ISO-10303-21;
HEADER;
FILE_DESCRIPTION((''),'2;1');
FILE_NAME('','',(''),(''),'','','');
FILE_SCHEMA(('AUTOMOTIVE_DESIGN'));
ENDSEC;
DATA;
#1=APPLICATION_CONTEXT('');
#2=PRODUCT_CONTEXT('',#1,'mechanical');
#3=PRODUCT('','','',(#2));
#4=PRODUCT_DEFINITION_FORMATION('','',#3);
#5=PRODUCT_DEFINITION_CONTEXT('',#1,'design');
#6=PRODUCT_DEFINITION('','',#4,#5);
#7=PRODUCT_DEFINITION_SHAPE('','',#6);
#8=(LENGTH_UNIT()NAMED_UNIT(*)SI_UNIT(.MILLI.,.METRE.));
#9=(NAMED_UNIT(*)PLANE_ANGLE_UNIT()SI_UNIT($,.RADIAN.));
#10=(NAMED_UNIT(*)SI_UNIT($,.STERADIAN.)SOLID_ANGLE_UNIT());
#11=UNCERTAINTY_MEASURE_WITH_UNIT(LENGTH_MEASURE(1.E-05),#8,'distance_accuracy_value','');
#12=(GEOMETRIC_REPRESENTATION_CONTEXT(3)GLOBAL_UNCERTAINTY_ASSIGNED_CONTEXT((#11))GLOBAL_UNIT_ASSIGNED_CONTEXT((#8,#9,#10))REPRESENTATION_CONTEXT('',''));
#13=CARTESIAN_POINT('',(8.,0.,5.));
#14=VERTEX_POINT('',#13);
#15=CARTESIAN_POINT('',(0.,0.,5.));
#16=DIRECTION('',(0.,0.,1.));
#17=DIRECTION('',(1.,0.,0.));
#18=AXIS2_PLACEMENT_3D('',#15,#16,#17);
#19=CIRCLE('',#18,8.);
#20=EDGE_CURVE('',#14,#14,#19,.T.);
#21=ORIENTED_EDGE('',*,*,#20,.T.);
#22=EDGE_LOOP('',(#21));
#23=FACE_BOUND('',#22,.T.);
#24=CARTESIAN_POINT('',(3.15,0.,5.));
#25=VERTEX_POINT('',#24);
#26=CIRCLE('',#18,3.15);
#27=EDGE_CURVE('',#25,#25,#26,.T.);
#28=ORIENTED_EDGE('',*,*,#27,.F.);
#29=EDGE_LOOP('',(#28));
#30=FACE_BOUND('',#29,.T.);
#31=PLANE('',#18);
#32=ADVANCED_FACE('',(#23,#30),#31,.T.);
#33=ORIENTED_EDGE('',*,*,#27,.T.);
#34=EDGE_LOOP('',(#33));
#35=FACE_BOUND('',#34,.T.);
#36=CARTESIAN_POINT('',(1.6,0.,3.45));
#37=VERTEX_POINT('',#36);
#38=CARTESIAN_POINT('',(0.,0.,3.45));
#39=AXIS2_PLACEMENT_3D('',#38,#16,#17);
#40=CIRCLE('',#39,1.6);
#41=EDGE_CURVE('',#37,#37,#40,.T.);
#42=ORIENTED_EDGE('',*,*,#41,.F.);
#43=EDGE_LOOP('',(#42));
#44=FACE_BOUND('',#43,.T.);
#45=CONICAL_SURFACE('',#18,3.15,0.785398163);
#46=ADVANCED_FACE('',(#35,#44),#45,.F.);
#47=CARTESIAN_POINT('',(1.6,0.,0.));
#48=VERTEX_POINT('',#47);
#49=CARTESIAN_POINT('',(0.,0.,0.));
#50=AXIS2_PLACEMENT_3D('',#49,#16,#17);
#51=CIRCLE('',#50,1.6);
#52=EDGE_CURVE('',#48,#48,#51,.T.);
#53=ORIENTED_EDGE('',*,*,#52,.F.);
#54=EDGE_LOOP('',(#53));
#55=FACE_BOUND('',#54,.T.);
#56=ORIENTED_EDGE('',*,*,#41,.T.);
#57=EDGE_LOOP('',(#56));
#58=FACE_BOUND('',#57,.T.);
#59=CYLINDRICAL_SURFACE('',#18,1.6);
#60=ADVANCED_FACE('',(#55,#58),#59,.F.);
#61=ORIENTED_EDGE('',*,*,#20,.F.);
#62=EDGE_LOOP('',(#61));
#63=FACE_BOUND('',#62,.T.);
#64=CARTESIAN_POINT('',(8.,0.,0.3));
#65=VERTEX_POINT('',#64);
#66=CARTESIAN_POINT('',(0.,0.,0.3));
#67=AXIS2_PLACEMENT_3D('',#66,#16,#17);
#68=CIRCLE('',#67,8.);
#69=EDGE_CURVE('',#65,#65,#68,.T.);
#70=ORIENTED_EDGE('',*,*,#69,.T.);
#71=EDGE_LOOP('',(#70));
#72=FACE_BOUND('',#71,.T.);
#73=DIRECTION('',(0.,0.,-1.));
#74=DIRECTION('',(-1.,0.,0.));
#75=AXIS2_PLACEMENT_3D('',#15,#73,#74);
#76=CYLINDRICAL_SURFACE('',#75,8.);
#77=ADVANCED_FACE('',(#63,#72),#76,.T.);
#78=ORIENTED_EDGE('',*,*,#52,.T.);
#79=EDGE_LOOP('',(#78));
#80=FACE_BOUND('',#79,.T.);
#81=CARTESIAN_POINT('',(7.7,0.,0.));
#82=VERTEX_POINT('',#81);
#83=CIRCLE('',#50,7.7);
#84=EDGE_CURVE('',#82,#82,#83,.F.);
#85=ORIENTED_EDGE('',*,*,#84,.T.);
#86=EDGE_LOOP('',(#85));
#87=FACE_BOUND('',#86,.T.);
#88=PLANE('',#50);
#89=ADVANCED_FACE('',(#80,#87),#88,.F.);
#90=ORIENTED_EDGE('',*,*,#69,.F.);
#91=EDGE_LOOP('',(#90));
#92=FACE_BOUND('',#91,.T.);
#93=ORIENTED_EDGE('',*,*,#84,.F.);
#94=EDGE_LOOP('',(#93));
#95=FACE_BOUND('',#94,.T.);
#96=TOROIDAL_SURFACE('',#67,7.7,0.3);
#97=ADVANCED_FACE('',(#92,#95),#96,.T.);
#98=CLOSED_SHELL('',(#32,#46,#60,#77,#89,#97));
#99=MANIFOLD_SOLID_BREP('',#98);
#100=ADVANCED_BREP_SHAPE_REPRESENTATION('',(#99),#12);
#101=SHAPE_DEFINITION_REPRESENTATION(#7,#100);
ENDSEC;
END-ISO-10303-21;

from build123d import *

# Parameters (mm, degrees)
ESBO_O1_R                                            = 8
RESSALTO_EXTRUS_O1_DEPTH                             = 5
FORMSENKUNG_F_R_M3_LINSENSENKSCHRAUBE_MI_D           = 3.2
FORMSENKUNG_F_R_M3_LINSENSENKSCHRAUBE_MI_DEPTH       = 20.87
FORMSENKUNG_F_R_M3_LINSENSENKSCHRAUBE_MI_CSINK_D     = 6.3
FORMSENKUNG_F_R_M3_LINSENSENKSCHRAUBE_MI_CSINK_ANGLE = 90
FORMSENKUNG_F_R_M3_LINSENSENKSCHRAUBE_MI_TIP         = 0.96137699
FILETE1_R                                            = 0.3


with BuildPart() as part:
    # Esboço1 → Ressalto-extrusão1 (new body)
    with BuildSketch(Plane.XY):
        Circle(ESBO_O1_R)
    extrude(amount=RESSALTO_EXTRUS_O1_DEPTH)

    # Formsenkung für M3 Linsensenkschraube mit Schlitz1
    with Locations(Plane.XY.offset(5)):
        with Locations((0, 0)):
            CounterSinkHole(FORMSENKUNG_F_R_M3_LINSENSENKSCHRAUBE_MI_D / 2, FORMSENKUNG_F_R_M3_LINSENSENKSCHRAUBE_MI_CSINK_D / 2, depth=FORMSENKUNG_F_R_M3_LINSENSENKSCHRAUBE_MI_DEPTH, counter_sink_angle=FORMSENKUNG_F_R_M3_LINSENSENKSCHRAUBE_MI_CSINK_ANGLE)
            with Locations((0, 0, -(FORMSENKUNG_F_R_M3_LINSENSENKSCHRAUBE_MI_DEPTH + FORMSENKUNG_F_R_M3_LINSENSENKSCHRAUBE_MI_TIP / 2))):  # 118° drill point
                Cone(0, FORMSENKUNG_F_R_M3_LINSENSENKSCHRAUBE_MI_D / 2, FORMSENKUNG_F_R_M3_LINSENSENKSCHRAUBE_MI_TIP, mode=Mode.SUBTRACT)

    # Filete1
    filete1_edges = [part.edges().sort_by_distance(p)[0] for p in [
        (-8, 0, 0),
    ]]
    fillet(filete1_edges, radius=FILETE1_R)


solid = part.part
